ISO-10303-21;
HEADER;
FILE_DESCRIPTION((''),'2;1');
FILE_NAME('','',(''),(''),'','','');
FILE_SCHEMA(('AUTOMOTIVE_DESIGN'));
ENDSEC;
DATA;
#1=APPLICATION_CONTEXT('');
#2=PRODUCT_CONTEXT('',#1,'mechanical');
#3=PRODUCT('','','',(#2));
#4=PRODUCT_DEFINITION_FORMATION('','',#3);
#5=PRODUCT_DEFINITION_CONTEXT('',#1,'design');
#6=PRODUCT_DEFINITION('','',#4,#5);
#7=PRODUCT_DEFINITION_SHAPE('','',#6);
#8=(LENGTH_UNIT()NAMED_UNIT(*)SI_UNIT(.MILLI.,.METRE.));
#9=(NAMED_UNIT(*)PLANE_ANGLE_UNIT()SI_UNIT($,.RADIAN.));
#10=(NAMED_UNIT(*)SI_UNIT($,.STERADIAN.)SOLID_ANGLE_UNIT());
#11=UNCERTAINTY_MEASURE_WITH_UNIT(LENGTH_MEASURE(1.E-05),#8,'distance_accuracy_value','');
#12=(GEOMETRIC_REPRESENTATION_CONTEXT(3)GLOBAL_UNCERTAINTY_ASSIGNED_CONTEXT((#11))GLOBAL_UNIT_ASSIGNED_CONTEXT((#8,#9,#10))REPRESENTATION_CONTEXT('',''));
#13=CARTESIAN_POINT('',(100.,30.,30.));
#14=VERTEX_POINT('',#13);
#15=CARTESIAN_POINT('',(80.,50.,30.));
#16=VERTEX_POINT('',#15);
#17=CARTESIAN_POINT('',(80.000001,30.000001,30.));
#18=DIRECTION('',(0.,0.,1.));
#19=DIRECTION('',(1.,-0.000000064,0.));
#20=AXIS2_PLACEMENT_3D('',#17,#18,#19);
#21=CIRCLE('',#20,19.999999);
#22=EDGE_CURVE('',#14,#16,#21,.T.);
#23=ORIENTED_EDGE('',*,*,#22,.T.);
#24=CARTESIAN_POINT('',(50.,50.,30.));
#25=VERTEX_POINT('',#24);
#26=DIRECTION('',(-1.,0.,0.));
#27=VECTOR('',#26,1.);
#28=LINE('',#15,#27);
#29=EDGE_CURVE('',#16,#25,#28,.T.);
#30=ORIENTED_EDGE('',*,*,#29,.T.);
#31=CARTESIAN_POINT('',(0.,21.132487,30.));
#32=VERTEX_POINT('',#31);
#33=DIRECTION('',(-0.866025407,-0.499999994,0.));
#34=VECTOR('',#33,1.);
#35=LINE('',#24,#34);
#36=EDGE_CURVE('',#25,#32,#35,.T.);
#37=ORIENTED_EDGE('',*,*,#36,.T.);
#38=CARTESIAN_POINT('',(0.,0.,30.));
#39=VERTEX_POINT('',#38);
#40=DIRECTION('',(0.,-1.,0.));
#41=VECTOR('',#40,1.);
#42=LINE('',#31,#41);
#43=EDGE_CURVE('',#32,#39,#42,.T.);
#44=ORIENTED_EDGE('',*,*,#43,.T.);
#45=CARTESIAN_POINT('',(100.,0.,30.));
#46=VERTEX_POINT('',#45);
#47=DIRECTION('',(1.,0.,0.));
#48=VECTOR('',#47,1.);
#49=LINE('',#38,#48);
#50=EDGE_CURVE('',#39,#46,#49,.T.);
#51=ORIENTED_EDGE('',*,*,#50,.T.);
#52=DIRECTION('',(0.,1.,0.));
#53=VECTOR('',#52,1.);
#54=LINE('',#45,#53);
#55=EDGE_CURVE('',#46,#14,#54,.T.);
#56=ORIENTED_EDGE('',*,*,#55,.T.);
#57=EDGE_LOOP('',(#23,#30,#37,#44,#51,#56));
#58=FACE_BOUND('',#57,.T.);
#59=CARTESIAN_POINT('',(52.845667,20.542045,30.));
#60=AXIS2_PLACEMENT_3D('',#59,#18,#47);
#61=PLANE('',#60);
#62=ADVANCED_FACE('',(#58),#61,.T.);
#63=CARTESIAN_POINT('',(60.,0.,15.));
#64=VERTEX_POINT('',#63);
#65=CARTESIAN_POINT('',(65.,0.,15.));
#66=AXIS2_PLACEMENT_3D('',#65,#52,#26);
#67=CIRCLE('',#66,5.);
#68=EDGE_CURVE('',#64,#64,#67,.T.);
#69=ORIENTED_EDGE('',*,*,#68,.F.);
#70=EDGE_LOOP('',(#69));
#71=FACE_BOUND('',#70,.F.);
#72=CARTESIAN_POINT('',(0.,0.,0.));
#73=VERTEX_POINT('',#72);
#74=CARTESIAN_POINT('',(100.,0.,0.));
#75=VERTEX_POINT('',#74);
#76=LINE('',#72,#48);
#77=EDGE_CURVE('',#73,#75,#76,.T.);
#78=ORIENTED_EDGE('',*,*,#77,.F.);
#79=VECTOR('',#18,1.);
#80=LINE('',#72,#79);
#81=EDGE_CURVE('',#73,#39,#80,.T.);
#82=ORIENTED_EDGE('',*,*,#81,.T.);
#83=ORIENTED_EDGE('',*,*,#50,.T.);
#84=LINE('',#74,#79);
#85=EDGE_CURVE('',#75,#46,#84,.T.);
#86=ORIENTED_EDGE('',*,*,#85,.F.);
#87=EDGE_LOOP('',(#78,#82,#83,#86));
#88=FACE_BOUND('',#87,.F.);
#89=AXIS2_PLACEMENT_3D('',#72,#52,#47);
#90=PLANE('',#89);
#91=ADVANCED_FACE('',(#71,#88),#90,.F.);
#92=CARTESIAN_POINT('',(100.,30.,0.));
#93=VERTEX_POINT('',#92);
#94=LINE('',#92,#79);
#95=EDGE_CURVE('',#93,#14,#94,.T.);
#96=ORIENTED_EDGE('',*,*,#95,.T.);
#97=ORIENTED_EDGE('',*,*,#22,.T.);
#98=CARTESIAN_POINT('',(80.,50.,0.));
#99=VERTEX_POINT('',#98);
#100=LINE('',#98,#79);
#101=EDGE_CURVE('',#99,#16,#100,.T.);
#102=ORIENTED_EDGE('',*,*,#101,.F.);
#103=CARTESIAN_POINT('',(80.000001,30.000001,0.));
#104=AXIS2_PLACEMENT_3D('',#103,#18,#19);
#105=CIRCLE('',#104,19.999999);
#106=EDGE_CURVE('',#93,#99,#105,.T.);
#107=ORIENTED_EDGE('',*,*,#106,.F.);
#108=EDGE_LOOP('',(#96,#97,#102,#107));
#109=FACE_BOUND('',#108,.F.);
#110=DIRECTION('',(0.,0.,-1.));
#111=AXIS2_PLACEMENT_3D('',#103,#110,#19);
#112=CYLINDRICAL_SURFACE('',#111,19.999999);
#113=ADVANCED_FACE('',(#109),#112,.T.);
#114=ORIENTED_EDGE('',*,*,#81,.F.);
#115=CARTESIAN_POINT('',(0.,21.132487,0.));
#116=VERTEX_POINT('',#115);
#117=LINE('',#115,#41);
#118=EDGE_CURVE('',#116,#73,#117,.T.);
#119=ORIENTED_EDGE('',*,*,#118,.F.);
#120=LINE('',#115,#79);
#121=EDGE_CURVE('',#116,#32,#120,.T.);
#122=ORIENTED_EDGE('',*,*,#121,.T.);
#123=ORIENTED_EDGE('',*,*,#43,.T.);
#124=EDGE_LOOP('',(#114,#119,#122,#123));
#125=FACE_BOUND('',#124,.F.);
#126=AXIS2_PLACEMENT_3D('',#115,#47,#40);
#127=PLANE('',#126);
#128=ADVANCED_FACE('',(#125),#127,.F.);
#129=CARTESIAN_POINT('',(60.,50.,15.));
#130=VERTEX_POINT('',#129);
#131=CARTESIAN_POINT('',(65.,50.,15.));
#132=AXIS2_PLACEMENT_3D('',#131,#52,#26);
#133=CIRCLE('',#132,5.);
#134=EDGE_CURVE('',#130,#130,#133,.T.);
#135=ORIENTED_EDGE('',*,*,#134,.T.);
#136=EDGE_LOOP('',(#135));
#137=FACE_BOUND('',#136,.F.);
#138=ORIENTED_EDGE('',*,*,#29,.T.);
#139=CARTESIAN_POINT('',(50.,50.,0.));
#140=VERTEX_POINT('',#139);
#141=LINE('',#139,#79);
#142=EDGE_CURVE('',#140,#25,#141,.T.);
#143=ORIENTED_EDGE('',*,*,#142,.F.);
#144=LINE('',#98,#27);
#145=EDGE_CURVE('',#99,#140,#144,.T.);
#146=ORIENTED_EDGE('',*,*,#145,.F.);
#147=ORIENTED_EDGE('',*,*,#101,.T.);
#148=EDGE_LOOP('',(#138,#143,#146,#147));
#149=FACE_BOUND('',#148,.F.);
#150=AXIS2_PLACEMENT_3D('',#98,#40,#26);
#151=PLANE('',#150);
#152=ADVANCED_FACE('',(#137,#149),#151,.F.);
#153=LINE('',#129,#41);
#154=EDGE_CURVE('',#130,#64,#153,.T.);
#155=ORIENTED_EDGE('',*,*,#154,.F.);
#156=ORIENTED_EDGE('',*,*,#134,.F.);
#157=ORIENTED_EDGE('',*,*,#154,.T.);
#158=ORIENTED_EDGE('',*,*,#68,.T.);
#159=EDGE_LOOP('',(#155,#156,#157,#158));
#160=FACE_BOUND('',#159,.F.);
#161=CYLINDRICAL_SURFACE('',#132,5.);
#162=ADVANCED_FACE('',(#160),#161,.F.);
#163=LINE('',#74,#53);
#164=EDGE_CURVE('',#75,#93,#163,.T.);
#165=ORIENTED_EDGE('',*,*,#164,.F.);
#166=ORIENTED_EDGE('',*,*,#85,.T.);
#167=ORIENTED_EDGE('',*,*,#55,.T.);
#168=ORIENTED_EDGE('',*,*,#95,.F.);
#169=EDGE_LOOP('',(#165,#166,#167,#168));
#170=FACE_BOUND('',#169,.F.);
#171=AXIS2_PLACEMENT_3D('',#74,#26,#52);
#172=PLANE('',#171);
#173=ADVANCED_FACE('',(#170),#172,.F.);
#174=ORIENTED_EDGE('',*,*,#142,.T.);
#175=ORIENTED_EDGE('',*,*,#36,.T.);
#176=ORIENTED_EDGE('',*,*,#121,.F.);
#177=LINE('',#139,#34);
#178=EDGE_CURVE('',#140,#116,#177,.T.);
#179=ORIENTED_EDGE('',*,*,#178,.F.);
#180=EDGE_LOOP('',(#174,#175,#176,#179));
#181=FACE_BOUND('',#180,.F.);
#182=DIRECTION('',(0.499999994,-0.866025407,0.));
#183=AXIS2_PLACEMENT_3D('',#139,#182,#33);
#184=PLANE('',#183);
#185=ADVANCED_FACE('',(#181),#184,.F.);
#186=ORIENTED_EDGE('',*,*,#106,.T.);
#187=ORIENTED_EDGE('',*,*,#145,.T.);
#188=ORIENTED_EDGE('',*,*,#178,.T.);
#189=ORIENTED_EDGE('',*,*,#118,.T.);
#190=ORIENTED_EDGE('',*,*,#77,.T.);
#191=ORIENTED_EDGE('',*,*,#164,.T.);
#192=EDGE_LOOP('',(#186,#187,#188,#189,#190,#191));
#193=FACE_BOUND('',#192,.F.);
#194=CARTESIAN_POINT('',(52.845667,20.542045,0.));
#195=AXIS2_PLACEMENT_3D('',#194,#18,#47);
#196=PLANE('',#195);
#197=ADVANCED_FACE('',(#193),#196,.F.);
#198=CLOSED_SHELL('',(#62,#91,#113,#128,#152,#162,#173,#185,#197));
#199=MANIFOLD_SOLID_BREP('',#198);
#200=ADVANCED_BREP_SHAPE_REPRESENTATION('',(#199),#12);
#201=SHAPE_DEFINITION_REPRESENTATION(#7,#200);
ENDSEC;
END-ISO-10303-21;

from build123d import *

# Parameters (mm, degrees)
PAD_DEPTH    = 30
SKETCH001_R  = 5
POCKET_DEPTH = 50


with BuildPart() as part:
    # CopySketch → Pad (new body)
    with BuildSketch(Plane.XY):
        with BuildLine():
            Line((0, 21.132487), (0, 0))
            Line((0, 0), (100, 0))
            Line((100, 0), (100, 30))
            ThreePointArc((100, 30), (94.142136, 44.142136), (80, 50))
            Line((80, 50), (50, 50))
            Line((50, 50), (0, 21.132487))
        make_face()
    extrude(amount=PAD_DEPTH)

    # Sketch001 (on Face5 of Pad) → Pocket (cut)
    with BuildSketch(Plane(origin=(0, 50, 0), x_dir=(-1, 0, 0), z_dir=(0, 1, 0))):
        with Locations((-65, 15)):
            Circle(SKETCH001_R)
    extrude(amount=-POCKET_DEPTH, mode=Mode.SUBTRACT)


solid = part.part
